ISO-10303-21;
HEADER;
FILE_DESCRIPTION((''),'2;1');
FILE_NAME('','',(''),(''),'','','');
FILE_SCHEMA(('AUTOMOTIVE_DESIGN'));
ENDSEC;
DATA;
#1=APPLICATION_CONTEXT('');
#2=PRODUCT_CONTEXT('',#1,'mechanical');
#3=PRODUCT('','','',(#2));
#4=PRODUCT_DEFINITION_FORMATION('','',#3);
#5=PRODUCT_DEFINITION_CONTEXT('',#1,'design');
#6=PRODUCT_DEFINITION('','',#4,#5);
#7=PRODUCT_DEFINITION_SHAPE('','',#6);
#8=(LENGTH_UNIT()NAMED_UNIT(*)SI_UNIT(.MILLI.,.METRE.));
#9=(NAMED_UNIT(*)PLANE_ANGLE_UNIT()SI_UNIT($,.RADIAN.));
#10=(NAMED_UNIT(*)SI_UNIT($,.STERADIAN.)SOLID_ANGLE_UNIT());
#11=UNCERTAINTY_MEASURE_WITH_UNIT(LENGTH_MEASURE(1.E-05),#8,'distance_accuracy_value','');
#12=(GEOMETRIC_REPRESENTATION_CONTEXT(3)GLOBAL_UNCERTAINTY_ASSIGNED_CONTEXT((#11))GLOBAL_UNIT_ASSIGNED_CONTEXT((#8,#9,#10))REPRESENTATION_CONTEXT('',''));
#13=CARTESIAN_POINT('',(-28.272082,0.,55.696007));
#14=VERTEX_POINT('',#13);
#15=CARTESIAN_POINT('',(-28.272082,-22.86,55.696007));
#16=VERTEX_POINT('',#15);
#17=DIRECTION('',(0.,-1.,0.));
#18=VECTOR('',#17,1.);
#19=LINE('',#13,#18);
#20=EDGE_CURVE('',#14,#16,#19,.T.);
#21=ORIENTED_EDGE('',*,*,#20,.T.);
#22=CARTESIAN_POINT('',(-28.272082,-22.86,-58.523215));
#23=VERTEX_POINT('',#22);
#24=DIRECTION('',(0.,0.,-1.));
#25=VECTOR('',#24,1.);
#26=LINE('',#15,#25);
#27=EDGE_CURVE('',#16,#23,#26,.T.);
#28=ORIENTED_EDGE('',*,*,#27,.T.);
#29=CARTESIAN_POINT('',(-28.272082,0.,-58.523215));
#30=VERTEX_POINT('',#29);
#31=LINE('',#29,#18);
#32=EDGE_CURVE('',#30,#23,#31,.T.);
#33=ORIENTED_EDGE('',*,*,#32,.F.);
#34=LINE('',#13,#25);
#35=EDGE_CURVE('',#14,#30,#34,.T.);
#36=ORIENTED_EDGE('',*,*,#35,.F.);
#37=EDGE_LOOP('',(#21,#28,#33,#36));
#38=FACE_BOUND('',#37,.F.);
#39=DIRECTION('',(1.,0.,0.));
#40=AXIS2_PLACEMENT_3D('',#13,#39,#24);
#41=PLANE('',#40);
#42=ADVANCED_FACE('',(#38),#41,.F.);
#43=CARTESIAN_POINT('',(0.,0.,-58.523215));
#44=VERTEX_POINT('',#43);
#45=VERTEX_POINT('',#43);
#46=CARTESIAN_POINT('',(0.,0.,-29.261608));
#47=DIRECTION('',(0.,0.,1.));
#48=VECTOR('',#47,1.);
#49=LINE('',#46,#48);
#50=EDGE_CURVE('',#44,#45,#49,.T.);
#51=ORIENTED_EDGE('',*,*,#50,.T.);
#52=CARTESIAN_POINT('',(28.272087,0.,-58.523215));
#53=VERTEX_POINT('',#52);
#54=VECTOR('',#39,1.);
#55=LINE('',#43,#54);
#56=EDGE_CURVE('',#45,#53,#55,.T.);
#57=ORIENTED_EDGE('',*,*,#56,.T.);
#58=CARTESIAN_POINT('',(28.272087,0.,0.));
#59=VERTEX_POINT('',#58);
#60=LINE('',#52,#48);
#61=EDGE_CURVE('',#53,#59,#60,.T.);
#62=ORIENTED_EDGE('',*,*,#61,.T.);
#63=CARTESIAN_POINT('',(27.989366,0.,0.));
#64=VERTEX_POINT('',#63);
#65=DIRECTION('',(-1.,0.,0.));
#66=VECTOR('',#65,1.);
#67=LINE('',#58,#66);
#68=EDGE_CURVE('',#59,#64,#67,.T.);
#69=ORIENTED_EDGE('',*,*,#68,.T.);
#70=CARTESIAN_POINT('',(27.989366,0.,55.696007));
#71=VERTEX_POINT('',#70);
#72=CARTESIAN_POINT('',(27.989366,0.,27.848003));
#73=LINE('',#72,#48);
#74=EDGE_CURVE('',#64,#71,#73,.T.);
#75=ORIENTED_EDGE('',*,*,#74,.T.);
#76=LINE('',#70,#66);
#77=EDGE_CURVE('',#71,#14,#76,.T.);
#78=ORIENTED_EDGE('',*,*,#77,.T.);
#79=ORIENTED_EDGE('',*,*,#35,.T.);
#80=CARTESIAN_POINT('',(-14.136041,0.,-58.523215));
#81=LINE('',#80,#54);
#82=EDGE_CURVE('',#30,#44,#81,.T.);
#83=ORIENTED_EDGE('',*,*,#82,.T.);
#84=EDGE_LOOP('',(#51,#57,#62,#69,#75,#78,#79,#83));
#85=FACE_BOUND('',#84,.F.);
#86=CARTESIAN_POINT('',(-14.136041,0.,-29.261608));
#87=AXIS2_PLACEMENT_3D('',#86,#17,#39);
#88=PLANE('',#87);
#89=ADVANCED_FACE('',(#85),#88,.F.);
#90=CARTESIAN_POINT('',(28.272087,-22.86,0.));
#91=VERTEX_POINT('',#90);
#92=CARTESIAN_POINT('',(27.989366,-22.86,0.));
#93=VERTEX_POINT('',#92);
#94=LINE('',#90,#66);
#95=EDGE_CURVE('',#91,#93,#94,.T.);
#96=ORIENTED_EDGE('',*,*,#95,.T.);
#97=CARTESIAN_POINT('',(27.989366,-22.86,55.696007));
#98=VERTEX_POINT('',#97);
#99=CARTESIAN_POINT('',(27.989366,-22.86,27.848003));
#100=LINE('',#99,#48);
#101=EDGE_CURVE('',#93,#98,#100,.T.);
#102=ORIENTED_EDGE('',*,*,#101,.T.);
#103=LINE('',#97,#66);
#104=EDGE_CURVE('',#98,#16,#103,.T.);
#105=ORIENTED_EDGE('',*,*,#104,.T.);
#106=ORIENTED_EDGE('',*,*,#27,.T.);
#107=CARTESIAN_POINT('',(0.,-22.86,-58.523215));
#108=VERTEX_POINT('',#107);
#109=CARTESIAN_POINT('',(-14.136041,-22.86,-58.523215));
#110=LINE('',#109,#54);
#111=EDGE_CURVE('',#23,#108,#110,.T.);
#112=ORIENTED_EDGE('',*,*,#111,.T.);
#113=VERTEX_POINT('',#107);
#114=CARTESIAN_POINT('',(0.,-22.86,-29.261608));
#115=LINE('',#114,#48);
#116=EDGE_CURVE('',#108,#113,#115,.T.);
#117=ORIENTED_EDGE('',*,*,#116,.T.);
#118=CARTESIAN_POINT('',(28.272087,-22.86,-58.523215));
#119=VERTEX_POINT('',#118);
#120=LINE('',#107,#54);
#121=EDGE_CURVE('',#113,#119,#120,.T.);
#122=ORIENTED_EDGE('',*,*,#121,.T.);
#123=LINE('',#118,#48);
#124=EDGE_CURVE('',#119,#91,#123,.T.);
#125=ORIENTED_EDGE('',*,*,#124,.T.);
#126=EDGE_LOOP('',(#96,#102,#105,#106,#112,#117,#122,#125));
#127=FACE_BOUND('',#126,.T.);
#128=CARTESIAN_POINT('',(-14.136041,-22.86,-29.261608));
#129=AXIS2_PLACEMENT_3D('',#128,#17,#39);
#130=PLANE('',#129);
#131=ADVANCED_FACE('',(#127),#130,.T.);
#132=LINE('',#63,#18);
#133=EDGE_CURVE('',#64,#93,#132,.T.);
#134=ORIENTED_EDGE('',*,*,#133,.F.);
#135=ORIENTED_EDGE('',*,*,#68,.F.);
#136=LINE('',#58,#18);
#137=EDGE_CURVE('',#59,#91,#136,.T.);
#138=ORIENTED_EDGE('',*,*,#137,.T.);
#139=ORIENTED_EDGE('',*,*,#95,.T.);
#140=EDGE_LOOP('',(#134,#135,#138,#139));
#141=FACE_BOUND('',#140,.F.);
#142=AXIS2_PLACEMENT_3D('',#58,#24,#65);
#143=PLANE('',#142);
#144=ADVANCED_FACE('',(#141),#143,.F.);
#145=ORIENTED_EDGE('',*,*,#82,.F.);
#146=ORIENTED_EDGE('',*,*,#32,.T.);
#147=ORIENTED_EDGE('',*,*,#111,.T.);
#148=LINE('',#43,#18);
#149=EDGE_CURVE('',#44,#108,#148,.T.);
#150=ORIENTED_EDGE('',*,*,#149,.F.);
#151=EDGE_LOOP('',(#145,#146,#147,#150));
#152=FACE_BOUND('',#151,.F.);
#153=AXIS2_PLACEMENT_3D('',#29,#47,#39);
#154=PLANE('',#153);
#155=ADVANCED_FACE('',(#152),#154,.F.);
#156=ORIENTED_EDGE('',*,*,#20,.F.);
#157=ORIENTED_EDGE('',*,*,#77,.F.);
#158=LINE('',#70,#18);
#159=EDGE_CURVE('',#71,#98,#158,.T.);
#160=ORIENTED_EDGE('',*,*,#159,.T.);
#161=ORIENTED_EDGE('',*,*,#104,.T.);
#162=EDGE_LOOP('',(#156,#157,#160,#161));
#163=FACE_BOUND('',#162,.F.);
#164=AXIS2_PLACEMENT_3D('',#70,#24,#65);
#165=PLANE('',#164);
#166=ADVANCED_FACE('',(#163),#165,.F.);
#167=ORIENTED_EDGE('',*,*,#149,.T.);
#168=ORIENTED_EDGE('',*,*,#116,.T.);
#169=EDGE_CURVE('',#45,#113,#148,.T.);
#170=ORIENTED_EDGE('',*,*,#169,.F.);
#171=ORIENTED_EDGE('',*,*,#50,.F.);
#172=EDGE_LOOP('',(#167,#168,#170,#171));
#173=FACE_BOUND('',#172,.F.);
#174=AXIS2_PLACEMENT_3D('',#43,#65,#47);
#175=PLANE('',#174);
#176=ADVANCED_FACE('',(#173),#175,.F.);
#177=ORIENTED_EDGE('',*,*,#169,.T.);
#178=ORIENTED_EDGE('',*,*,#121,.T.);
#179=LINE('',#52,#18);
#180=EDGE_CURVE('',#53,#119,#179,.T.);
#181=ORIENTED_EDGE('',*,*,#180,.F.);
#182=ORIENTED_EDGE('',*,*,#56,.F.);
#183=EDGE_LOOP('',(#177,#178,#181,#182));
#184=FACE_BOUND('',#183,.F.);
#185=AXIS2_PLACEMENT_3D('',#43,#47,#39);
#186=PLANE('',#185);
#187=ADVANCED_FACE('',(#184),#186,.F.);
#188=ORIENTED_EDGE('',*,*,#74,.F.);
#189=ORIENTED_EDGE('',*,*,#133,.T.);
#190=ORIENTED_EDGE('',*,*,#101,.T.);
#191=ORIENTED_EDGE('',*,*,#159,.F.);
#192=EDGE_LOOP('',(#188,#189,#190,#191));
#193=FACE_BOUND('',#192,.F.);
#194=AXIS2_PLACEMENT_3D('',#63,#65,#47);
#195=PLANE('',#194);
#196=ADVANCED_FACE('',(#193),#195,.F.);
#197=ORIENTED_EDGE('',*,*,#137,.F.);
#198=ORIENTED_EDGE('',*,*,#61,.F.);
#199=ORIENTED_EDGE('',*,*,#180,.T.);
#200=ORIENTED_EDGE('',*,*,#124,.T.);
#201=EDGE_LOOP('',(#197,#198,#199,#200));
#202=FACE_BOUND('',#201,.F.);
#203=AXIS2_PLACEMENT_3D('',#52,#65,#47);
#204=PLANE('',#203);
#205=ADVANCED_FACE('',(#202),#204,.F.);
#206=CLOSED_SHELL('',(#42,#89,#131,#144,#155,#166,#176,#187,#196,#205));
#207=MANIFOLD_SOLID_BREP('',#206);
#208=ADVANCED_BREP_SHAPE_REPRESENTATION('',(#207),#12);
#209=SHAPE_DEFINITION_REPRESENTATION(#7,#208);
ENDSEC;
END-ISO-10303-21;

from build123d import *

# Parameters (mm, degrees)
F0_W     = 28.272083
F0_H     = 58.523215
F0_H_2   = 55.696007
F0_W_2   = 27.989367
F1_DEPTH = 22.86


with BuildPart() as f1:
    # F0 (on Front) → F1 (new body)
    with BuildSketch(Plane.XZ):
        with Locations((-14.136041, -29.261608)):
            Rectangle(F0_W, F0_H)
        Polygon((27.989367, 0), (0, 0), (0, -58.523215), (28.272087, -58.523215), (28.272087, 0), align=None)
        with Locations((-14.136041, 27.848003)):
            Rectangle(F0_W, F0_H_2)
        with Locations((13.994683, 27.848003)):
            Rectangle(F0_W_2, F0_H_2)
    extrude(amount=F1_DEPTH)


solid = f1.part
